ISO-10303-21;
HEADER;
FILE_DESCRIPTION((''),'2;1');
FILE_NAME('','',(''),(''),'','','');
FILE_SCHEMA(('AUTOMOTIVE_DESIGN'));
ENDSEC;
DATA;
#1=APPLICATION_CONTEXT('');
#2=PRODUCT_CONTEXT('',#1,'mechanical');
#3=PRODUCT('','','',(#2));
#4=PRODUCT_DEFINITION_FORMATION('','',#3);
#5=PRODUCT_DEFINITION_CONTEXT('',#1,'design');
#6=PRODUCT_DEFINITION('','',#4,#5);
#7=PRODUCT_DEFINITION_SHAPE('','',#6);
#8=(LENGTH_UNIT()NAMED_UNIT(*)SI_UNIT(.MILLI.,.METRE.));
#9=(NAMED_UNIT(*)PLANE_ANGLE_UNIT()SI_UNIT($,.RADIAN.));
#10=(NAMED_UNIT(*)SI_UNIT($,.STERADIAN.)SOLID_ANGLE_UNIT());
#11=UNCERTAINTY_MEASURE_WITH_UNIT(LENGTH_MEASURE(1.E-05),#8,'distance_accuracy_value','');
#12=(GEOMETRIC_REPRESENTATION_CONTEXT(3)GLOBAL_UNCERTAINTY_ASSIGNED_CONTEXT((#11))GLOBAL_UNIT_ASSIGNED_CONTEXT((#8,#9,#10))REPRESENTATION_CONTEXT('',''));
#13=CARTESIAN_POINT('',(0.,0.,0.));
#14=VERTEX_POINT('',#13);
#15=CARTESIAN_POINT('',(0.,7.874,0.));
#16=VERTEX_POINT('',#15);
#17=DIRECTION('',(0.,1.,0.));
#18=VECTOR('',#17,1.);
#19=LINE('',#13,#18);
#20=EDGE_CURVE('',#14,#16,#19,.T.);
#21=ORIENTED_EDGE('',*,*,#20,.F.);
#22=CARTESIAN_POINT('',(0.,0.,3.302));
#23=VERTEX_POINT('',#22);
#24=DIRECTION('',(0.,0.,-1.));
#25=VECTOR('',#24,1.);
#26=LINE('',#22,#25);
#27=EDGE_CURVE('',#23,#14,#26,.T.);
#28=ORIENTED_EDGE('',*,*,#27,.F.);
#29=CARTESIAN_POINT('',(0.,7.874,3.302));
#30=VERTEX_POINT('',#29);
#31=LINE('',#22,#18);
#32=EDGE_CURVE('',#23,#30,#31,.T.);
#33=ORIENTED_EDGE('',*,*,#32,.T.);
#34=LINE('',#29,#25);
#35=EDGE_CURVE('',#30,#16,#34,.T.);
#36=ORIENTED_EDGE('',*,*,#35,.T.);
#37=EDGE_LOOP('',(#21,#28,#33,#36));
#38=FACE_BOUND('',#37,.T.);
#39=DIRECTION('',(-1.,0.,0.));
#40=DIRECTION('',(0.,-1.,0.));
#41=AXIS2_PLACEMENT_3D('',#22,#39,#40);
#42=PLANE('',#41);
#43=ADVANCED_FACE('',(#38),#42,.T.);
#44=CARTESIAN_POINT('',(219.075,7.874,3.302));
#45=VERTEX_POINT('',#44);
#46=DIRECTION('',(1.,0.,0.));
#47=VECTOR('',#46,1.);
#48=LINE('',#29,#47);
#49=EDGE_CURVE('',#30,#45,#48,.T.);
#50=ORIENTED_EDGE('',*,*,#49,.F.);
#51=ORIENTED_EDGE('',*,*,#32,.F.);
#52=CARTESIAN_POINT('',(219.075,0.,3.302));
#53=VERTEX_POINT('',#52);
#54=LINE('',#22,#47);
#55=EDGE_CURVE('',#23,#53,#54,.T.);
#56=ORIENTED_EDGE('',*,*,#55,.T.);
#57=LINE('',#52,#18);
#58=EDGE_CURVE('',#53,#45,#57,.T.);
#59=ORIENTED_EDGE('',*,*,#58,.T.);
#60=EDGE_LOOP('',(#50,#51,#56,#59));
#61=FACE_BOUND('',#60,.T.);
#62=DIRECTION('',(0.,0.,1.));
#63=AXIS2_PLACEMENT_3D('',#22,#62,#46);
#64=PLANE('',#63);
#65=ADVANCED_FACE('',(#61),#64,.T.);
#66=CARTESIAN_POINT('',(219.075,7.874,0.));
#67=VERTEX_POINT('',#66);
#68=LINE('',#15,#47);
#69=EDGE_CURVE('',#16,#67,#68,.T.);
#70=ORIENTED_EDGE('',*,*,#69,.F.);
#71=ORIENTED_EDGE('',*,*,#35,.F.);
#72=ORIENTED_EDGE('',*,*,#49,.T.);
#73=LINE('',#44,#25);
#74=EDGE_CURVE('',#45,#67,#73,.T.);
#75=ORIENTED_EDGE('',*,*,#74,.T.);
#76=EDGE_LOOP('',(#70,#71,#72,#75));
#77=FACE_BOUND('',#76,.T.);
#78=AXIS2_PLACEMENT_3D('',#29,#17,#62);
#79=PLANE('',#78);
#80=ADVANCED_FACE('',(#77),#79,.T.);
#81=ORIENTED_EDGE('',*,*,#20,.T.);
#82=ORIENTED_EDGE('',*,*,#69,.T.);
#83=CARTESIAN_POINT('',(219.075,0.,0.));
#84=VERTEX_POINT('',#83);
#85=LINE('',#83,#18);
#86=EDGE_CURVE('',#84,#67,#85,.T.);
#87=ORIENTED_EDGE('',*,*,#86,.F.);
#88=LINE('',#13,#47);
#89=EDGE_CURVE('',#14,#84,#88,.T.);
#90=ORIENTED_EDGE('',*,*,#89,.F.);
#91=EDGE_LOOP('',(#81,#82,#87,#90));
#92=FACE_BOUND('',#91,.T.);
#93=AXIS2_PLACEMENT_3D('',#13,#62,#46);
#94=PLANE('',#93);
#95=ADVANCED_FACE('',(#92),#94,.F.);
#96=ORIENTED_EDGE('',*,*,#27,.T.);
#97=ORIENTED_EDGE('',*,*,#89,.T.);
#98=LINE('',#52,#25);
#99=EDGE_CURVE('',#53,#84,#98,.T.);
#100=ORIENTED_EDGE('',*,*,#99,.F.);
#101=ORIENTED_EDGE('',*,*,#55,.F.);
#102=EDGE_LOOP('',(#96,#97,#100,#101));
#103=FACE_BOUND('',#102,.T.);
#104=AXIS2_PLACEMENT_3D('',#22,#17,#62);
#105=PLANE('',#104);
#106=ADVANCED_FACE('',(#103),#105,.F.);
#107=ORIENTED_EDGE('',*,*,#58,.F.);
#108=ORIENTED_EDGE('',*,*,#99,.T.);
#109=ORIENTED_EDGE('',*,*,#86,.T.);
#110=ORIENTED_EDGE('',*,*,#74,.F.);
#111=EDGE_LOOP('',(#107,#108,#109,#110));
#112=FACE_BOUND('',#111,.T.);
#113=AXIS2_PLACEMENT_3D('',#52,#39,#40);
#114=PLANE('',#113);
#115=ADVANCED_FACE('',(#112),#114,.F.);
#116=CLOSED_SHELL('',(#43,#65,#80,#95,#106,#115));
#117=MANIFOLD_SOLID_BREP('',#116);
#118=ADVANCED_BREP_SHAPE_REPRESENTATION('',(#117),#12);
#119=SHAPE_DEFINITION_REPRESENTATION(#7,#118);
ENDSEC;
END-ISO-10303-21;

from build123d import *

# Parameters (mm, degrees)
SKETCH1_W           = 219.075
SKETCH1_H           = 7.874
BOSS_EXTRUDE1_DEPTH = 3.302


with BuildPart() as part:
    # Sketch1 → Boss-Extrude1 (new body)
    with BuildSketch(Plane.XY):
        with Locations((109.5375, 3.937)):
            Rectangle(SKETCH1_W, SKETCH1_H)
    extrude(amount=BOSS_EXTRUDE1_DEPTH)


solid = part.part
